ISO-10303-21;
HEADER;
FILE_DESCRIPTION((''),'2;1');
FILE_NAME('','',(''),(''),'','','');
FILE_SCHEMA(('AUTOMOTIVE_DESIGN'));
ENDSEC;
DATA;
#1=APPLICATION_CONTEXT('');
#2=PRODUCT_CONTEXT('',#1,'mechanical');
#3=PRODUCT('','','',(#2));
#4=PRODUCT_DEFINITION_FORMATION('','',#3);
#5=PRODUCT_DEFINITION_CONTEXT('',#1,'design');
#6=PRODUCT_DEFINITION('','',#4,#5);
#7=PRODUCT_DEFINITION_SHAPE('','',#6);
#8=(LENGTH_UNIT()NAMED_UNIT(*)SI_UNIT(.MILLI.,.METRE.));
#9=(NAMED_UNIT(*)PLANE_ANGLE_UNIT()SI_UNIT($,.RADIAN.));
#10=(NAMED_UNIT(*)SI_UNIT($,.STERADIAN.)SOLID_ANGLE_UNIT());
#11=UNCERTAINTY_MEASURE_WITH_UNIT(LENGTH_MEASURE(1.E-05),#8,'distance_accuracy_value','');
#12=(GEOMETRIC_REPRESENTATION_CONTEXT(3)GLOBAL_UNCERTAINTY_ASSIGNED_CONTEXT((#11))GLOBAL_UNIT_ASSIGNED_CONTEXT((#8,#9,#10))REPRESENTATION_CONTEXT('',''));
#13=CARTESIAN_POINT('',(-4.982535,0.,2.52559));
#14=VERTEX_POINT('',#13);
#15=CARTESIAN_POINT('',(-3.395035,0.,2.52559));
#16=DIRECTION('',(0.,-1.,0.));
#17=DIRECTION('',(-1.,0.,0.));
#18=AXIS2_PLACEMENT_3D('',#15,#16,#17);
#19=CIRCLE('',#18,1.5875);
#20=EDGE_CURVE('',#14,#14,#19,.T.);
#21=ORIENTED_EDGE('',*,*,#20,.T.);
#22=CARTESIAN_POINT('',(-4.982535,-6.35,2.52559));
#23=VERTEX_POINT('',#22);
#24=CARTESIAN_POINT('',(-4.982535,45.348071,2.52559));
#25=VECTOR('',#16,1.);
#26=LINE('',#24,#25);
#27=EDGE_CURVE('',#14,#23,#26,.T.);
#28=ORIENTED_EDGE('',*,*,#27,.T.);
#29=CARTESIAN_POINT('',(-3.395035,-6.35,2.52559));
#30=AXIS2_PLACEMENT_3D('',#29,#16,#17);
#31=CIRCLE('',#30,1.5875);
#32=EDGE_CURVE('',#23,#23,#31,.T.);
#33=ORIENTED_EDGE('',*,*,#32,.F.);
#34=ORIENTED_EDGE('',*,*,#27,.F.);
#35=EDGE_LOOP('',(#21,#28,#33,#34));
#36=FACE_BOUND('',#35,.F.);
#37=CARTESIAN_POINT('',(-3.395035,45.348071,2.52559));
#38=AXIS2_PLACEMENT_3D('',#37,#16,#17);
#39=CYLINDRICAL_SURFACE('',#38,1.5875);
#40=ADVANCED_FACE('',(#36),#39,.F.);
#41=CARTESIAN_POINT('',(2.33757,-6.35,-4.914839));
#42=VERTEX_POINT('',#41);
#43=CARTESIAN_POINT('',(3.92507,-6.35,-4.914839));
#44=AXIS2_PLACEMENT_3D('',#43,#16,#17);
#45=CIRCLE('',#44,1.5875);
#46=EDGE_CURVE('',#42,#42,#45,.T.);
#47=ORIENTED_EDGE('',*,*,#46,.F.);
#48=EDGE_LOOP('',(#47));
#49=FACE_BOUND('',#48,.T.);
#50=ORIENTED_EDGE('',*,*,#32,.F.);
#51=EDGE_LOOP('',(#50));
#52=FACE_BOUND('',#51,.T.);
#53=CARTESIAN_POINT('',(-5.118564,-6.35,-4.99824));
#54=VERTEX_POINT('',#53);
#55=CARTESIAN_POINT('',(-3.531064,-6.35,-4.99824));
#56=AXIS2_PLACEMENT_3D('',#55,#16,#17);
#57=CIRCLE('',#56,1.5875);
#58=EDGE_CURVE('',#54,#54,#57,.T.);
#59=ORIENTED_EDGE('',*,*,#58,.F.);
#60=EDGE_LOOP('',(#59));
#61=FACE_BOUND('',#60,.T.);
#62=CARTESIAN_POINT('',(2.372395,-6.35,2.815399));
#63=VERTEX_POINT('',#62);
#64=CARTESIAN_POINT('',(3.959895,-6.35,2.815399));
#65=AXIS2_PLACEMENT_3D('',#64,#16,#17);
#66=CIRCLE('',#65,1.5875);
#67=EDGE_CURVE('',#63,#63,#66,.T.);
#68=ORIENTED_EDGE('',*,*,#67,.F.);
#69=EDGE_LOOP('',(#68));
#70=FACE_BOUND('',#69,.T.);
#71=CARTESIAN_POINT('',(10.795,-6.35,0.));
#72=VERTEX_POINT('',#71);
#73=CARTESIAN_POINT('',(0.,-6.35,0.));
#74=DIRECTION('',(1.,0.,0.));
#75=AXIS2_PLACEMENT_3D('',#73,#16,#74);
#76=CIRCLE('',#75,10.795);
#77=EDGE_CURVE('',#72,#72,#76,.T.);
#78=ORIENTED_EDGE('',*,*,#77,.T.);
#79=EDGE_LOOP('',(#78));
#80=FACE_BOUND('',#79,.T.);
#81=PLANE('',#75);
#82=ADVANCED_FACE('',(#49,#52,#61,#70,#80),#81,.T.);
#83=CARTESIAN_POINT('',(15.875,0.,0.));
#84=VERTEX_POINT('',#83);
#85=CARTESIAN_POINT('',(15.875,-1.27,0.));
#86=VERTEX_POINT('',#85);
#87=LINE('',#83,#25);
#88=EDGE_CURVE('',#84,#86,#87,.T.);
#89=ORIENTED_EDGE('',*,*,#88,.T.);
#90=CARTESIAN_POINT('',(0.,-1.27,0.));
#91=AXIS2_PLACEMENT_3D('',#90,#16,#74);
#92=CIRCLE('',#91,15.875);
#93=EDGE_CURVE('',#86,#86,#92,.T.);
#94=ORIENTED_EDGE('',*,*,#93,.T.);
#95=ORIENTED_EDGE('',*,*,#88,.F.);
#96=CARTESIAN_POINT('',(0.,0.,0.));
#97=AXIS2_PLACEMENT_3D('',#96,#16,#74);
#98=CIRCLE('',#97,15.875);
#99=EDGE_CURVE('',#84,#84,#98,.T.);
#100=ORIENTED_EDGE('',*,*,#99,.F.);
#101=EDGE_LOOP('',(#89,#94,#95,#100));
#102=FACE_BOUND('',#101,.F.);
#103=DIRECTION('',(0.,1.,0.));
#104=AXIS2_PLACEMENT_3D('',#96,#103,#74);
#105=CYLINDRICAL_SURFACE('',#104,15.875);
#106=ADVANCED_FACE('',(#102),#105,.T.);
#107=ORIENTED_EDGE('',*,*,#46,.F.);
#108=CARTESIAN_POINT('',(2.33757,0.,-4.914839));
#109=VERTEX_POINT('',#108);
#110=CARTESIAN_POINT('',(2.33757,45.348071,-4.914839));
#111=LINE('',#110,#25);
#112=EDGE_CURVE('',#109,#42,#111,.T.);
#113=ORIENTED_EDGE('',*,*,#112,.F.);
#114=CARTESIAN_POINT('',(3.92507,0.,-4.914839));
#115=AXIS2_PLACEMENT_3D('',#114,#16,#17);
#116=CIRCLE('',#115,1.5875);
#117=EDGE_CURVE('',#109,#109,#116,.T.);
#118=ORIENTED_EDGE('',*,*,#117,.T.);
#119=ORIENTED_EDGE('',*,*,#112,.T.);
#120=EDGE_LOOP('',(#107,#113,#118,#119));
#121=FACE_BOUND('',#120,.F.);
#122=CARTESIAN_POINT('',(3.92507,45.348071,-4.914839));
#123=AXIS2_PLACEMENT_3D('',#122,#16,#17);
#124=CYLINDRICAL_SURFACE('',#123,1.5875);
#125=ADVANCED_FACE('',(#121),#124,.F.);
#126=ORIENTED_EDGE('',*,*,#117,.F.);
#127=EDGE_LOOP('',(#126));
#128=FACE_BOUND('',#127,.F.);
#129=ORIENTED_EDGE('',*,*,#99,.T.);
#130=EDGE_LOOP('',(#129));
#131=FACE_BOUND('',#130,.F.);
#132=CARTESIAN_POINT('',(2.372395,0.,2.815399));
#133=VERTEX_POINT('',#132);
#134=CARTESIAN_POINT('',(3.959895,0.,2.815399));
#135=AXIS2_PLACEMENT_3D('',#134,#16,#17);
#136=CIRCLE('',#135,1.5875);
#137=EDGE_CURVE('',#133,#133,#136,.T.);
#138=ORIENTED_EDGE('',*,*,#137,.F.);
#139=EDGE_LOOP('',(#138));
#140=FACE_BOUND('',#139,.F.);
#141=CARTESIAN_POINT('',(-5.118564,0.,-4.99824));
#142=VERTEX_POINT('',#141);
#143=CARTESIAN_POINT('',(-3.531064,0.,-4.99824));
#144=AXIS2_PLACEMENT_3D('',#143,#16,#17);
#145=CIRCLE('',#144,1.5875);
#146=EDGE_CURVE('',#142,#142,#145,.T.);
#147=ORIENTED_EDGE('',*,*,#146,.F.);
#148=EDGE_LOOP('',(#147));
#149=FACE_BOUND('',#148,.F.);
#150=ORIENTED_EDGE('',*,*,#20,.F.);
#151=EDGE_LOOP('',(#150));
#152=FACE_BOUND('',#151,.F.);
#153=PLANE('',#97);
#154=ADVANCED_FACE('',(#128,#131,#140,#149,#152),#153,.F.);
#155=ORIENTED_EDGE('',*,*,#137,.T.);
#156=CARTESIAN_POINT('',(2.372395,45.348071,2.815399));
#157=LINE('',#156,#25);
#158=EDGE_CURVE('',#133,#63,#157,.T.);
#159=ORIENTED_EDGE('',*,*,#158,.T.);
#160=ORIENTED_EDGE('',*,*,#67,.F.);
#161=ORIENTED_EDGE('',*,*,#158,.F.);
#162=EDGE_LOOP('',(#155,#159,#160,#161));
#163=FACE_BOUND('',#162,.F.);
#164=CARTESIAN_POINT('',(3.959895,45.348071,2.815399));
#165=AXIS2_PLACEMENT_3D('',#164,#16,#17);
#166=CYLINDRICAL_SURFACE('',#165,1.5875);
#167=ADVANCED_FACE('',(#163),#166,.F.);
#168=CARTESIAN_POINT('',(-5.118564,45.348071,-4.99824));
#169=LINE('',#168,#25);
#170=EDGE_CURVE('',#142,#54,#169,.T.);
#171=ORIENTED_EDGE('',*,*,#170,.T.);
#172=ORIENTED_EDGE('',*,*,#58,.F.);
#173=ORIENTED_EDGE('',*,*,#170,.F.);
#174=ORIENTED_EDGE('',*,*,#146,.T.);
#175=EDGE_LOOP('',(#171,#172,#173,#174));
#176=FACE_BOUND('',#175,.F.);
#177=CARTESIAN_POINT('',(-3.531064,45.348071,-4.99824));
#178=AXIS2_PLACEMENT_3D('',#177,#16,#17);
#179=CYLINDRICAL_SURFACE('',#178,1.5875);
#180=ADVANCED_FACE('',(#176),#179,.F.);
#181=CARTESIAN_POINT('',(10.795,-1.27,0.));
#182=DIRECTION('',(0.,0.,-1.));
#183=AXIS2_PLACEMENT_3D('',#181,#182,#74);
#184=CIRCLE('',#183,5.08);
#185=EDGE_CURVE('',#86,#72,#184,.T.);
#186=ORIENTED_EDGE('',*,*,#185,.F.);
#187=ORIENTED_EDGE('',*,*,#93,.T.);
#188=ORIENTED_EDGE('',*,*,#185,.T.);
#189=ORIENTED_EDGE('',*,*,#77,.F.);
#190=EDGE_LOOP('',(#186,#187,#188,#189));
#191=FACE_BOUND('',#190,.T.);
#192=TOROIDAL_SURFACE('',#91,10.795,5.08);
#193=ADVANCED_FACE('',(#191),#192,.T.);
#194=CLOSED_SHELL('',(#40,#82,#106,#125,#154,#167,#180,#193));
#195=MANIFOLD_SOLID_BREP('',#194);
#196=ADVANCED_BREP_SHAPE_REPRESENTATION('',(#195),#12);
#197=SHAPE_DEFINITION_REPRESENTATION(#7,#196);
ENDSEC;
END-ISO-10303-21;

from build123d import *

# Parameters (mm, degrees)
F0_R     = 15.875
F2_DEPTH = 6.35
F3_D     = 3.175
F4_R     = 5.08


with BuildPart() as f2:
    # F0 (on Front) → F2 (new body)
    with BuildSketch(Plane.XZ):
        Circle(F0_R)
    extrude(amount=F2_DEPTH)

    # F3 (through all)
    with Locations(Plane(origin=(0, 0, 0), x_dir=(1, 0, 0), z_dir=(0, 1, 0))):
        with Locations((3.9598953958, -2.8153994276), (-3.3950347352, -2.5255896296), (-3.5310642417, 4.9982398479), (3.925069736, 4.9148391505)):
            Hole(F3_D / 2)

    # F4
    f4_edges = [f2.edges().sort_by_distance(p)[0] for p in [
        (-15.875, -6.35, 0),
    ]]
    fillet(f4_edges, radius=F4_R)


solid = f2.part
